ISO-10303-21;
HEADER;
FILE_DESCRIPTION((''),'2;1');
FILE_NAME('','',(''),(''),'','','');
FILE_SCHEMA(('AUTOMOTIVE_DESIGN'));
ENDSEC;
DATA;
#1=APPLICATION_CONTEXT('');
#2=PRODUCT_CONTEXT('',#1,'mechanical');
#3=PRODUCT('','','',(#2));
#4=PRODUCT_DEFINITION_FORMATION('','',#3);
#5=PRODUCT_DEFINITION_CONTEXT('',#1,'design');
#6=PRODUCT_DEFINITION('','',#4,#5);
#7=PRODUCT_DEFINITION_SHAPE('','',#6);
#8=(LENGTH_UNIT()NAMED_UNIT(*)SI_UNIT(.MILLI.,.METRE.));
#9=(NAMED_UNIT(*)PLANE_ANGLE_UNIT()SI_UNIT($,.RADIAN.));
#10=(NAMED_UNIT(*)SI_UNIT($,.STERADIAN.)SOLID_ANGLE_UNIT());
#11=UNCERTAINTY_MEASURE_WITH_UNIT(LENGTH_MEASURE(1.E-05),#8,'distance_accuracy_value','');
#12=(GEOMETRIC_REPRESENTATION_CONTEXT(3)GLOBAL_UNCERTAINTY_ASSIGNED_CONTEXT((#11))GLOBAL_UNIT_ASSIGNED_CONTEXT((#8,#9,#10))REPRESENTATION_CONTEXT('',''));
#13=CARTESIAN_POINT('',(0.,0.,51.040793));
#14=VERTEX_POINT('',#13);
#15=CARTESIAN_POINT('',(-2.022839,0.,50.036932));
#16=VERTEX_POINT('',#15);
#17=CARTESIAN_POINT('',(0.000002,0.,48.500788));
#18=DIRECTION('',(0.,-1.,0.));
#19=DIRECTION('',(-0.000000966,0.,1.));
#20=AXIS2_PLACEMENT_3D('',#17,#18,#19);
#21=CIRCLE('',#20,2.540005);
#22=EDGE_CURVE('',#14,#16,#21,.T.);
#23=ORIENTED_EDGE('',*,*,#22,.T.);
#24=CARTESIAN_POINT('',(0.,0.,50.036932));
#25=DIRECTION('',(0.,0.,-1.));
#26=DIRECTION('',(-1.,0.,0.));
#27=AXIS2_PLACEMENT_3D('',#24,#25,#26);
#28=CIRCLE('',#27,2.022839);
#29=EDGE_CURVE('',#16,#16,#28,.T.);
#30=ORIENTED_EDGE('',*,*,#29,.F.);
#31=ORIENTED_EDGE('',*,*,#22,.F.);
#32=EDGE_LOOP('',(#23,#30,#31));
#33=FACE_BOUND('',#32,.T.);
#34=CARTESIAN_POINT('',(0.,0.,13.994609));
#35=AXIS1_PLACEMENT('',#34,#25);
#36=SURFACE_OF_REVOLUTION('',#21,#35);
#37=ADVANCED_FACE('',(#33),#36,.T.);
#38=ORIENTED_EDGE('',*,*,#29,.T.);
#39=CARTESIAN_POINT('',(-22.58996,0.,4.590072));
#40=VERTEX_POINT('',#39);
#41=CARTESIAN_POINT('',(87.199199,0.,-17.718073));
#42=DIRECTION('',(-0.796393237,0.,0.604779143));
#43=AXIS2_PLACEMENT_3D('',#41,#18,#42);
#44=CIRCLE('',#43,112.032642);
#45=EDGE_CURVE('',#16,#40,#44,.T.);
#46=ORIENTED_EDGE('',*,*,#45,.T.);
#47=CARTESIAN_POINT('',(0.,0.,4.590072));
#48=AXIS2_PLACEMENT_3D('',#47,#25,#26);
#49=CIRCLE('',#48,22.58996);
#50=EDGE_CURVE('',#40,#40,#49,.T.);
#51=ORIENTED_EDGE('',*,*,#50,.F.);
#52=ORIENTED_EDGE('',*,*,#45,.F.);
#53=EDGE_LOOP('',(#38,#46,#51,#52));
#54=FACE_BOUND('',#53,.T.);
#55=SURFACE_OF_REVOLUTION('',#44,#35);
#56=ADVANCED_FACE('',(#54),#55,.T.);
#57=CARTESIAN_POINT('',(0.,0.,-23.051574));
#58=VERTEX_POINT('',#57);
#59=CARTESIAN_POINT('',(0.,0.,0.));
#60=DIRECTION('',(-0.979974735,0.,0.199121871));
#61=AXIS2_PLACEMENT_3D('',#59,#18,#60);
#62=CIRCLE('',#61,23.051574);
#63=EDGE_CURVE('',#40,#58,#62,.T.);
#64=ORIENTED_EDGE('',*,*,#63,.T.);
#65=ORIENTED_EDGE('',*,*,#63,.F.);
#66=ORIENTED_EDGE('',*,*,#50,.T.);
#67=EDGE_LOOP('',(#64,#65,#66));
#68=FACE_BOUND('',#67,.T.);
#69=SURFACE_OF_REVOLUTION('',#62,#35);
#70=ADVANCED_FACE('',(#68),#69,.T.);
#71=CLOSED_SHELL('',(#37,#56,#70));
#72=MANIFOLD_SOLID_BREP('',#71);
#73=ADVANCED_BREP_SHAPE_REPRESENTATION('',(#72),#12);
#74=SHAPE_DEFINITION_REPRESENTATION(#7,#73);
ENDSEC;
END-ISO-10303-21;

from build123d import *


with BuildPart() as f1:
    # F0 (on Front) → F1 (revolve)
    with BuildSketch(Plane.XZ):
        with BuildLine():
            ThreePointArc((-2.022839, 50.036932), (-14.868026, 28.472774), (-22.58996, 4.590072))
            ThreePointArc((-22.58996, 4.590072), (-17.849138, -14.587095), (0, -23.051574))
            Line((0, -23.051574), (0, 51.040793))
            ThreePointArc((0, 51.040793), (-1.129116, 50.776028), (-2.022839, 50.036932))
        make_face()
    revolve(axis=Axis((0, 0, 13.994609), (0, 0, -1)))


solid = f1.part
